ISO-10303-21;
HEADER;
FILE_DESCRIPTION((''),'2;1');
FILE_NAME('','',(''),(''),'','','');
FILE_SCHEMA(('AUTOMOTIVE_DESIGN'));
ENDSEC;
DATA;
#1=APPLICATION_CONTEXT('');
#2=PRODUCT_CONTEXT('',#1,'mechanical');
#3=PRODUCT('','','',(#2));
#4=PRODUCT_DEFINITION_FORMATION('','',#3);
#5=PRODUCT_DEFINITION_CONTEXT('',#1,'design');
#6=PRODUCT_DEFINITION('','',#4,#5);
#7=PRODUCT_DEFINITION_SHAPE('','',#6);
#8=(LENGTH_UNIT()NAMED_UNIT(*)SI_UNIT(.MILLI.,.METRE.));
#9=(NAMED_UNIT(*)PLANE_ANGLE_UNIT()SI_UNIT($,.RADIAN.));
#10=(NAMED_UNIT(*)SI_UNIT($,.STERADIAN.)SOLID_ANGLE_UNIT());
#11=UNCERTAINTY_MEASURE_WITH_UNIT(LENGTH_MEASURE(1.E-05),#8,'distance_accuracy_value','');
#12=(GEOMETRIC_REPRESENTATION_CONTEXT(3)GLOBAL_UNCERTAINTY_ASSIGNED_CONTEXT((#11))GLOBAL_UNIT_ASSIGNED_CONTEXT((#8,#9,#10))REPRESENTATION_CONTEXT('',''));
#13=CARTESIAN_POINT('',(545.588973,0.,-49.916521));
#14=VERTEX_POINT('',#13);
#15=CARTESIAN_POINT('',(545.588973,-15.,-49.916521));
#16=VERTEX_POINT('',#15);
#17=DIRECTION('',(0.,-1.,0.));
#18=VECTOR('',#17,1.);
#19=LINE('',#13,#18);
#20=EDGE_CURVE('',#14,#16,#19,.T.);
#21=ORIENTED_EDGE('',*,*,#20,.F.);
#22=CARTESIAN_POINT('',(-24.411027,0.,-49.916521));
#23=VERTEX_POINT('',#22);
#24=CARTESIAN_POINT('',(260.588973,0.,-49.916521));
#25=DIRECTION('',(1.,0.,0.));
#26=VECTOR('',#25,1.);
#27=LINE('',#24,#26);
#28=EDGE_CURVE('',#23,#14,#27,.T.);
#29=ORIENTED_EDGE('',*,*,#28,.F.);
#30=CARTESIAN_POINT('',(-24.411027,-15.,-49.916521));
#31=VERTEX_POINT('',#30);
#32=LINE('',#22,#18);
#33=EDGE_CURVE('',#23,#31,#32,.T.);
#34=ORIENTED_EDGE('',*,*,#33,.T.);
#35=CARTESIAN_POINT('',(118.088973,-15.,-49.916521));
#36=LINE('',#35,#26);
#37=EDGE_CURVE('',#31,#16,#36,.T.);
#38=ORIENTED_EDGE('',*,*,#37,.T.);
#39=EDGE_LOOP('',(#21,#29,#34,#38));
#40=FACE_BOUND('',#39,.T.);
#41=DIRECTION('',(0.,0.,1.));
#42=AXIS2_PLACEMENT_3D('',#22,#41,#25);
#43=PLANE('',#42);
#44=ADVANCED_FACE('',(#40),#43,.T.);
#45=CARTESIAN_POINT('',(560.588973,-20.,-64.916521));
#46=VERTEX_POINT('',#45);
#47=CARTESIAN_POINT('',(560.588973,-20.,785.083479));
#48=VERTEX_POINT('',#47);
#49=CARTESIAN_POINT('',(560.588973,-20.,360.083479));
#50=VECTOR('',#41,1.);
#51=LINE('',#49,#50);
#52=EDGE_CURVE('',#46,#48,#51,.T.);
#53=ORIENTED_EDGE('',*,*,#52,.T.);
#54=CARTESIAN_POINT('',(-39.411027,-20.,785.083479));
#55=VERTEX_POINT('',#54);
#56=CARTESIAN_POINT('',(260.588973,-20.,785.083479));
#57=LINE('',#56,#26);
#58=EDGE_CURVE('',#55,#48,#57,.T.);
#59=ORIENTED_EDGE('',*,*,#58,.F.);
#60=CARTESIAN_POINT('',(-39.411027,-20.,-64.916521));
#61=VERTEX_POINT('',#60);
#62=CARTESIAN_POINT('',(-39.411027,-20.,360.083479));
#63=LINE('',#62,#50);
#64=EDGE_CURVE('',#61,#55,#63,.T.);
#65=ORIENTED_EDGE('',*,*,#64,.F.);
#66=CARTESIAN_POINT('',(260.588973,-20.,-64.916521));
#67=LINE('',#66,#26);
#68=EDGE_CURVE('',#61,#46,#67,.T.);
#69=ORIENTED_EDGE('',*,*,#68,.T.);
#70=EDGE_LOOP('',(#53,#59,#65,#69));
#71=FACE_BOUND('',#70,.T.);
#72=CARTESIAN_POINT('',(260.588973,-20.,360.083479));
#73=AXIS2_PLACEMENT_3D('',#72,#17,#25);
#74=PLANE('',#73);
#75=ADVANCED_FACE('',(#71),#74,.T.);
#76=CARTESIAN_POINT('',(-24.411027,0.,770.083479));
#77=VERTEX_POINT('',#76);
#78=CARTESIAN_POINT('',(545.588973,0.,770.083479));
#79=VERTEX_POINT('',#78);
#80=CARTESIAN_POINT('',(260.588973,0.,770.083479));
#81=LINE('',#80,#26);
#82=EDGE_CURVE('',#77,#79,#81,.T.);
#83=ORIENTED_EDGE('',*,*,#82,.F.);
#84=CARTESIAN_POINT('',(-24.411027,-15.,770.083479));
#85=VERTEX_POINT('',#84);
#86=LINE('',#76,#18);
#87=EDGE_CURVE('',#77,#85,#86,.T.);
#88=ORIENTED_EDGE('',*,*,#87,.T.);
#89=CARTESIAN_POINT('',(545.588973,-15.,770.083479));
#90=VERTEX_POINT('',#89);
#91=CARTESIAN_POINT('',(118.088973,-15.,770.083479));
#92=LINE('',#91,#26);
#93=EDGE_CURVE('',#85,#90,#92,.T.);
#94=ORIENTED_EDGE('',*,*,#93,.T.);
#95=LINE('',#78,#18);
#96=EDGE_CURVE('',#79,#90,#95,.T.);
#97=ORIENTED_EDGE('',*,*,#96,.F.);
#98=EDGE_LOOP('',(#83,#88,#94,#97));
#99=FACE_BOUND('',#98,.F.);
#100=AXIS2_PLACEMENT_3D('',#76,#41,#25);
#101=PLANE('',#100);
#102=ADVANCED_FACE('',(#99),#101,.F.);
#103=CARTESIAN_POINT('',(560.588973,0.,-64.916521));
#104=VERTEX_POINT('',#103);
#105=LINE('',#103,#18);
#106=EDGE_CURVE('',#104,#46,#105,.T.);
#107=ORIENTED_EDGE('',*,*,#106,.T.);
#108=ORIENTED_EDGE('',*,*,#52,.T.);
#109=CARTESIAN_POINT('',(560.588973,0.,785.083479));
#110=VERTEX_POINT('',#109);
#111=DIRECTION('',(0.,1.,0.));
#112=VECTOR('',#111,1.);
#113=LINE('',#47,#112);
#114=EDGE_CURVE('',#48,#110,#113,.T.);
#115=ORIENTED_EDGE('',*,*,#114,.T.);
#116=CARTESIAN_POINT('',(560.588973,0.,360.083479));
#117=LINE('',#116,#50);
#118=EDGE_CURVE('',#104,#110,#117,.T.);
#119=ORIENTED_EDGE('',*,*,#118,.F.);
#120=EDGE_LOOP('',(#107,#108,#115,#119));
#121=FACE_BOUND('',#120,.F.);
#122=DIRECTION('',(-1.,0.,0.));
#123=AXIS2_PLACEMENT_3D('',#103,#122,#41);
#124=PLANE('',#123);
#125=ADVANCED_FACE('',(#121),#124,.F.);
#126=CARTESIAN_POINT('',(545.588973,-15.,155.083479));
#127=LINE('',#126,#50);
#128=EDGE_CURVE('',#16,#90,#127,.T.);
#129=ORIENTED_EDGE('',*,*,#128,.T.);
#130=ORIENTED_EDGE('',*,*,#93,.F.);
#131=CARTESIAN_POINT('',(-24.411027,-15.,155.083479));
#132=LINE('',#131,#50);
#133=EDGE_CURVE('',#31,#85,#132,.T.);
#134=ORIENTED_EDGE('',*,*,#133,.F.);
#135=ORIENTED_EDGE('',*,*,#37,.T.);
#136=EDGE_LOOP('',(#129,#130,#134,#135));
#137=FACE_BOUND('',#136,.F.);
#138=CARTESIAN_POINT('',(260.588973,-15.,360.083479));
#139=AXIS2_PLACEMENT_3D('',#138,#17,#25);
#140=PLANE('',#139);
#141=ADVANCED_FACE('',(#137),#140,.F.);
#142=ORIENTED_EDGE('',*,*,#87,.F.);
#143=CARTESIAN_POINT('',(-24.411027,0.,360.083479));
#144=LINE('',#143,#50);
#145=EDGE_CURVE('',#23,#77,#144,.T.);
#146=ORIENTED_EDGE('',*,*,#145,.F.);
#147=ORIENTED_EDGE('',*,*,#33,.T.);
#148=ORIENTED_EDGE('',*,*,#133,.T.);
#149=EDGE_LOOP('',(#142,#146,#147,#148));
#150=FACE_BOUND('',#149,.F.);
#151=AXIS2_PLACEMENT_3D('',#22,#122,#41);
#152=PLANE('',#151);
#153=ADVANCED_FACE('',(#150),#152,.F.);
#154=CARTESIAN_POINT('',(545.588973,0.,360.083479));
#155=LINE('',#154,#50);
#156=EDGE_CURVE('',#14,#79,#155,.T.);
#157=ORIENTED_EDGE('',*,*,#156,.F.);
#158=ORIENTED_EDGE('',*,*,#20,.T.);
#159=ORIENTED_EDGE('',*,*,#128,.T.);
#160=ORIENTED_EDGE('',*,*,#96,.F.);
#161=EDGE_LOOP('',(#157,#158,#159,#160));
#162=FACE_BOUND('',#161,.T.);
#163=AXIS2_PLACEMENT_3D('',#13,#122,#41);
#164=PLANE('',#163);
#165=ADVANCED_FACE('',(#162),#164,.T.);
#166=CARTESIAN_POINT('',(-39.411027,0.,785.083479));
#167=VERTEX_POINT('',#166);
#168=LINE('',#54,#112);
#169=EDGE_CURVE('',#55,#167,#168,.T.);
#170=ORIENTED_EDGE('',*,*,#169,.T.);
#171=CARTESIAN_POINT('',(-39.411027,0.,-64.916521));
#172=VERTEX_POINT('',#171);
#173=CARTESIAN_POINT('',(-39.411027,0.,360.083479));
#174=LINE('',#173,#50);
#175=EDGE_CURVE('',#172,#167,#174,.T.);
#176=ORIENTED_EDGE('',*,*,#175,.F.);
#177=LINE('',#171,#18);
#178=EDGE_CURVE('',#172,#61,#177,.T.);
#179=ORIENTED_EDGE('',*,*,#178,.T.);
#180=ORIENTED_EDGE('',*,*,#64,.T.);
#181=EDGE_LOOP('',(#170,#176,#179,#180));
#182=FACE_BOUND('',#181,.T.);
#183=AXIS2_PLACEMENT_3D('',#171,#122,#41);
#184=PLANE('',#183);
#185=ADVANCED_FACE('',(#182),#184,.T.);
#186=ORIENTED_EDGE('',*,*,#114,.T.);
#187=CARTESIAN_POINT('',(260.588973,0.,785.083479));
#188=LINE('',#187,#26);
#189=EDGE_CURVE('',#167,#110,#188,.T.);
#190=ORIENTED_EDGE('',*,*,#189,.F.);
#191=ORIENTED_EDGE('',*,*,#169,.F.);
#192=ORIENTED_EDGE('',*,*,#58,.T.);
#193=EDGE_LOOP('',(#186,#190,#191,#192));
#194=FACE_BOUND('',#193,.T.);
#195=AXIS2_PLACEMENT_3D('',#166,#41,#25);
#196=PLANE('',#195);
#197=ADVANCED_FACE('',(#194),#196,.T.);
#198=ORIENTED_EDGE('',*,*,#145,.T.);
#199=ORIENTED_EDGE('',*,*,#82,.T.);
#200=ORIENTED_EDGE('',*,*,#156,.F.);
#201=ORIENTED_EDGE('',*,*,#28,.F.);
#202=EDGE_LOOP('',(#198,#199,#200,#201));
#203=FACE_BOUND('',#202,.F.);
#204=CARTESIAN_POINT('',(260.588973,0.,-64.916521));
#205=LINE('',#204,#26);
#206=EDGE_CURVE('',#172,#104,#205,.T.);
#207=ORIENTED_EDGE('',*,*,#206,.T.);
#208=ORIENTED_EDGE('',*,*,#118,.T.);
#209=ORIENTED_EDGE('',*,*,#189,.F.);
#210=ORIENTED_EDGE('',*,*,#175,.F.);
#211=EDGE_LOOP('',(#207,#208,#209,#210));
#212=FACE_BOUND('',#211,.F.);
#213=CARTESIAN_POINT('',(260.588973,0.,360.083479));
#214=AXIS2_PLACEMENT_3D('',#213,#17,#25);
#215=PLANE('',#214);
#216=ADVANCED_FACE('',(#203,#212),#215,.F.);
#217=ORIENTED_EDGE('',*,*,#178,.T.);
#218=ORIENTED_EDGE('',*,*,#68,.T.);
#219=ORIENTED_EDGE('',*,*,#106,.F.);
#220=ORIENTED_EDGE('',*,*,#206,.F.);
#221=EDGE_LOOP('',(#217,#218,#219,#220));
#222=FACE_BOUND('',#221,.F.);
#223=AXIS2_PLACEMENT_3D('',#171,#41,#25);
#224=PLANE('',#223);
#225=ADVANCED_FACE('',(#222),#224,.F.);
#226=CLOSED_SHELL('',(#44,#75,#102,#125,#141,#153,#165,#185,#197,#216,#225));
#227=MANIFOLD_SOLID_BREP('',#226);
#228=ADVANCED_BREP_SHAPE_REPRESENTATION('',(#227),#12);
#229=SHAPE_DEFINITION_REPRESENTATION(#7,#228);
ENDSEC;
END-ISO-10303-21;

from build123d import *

# Parameters (mm, degrees)
F0_W     = 600
F0_H     = 850
F0_W_2   = 570
F0_H_2   = 820
F1_DEPTH = 20
F2_W     = 600
F2_H     = 850
F3_DEPTH = 5


with BuildPart() as f1:
    # F0 (on Front) → F1 (new body)
    with BuildSketch(Plane.XZ):
        with Locations((260.588973, 360.083479)):
            Rectangle(F0_W, F0_H)
        with Locations((260.588973, 360.083479)):
            Rectangle(F0_W_2, F0_H_2, mode=Mode.SUBTRACT)
    extrude(amount=F1_DEPTH)

    # F2 (on face) → F3 (join)
    with BuildSketch(Plane.XZ.offset(20)):
        with Locations((260.588973, 360.083479)):
            Rectangle(F2_W, F2_H)
    extrude(amount=-F3_DEPTH)


solid = f1.part
